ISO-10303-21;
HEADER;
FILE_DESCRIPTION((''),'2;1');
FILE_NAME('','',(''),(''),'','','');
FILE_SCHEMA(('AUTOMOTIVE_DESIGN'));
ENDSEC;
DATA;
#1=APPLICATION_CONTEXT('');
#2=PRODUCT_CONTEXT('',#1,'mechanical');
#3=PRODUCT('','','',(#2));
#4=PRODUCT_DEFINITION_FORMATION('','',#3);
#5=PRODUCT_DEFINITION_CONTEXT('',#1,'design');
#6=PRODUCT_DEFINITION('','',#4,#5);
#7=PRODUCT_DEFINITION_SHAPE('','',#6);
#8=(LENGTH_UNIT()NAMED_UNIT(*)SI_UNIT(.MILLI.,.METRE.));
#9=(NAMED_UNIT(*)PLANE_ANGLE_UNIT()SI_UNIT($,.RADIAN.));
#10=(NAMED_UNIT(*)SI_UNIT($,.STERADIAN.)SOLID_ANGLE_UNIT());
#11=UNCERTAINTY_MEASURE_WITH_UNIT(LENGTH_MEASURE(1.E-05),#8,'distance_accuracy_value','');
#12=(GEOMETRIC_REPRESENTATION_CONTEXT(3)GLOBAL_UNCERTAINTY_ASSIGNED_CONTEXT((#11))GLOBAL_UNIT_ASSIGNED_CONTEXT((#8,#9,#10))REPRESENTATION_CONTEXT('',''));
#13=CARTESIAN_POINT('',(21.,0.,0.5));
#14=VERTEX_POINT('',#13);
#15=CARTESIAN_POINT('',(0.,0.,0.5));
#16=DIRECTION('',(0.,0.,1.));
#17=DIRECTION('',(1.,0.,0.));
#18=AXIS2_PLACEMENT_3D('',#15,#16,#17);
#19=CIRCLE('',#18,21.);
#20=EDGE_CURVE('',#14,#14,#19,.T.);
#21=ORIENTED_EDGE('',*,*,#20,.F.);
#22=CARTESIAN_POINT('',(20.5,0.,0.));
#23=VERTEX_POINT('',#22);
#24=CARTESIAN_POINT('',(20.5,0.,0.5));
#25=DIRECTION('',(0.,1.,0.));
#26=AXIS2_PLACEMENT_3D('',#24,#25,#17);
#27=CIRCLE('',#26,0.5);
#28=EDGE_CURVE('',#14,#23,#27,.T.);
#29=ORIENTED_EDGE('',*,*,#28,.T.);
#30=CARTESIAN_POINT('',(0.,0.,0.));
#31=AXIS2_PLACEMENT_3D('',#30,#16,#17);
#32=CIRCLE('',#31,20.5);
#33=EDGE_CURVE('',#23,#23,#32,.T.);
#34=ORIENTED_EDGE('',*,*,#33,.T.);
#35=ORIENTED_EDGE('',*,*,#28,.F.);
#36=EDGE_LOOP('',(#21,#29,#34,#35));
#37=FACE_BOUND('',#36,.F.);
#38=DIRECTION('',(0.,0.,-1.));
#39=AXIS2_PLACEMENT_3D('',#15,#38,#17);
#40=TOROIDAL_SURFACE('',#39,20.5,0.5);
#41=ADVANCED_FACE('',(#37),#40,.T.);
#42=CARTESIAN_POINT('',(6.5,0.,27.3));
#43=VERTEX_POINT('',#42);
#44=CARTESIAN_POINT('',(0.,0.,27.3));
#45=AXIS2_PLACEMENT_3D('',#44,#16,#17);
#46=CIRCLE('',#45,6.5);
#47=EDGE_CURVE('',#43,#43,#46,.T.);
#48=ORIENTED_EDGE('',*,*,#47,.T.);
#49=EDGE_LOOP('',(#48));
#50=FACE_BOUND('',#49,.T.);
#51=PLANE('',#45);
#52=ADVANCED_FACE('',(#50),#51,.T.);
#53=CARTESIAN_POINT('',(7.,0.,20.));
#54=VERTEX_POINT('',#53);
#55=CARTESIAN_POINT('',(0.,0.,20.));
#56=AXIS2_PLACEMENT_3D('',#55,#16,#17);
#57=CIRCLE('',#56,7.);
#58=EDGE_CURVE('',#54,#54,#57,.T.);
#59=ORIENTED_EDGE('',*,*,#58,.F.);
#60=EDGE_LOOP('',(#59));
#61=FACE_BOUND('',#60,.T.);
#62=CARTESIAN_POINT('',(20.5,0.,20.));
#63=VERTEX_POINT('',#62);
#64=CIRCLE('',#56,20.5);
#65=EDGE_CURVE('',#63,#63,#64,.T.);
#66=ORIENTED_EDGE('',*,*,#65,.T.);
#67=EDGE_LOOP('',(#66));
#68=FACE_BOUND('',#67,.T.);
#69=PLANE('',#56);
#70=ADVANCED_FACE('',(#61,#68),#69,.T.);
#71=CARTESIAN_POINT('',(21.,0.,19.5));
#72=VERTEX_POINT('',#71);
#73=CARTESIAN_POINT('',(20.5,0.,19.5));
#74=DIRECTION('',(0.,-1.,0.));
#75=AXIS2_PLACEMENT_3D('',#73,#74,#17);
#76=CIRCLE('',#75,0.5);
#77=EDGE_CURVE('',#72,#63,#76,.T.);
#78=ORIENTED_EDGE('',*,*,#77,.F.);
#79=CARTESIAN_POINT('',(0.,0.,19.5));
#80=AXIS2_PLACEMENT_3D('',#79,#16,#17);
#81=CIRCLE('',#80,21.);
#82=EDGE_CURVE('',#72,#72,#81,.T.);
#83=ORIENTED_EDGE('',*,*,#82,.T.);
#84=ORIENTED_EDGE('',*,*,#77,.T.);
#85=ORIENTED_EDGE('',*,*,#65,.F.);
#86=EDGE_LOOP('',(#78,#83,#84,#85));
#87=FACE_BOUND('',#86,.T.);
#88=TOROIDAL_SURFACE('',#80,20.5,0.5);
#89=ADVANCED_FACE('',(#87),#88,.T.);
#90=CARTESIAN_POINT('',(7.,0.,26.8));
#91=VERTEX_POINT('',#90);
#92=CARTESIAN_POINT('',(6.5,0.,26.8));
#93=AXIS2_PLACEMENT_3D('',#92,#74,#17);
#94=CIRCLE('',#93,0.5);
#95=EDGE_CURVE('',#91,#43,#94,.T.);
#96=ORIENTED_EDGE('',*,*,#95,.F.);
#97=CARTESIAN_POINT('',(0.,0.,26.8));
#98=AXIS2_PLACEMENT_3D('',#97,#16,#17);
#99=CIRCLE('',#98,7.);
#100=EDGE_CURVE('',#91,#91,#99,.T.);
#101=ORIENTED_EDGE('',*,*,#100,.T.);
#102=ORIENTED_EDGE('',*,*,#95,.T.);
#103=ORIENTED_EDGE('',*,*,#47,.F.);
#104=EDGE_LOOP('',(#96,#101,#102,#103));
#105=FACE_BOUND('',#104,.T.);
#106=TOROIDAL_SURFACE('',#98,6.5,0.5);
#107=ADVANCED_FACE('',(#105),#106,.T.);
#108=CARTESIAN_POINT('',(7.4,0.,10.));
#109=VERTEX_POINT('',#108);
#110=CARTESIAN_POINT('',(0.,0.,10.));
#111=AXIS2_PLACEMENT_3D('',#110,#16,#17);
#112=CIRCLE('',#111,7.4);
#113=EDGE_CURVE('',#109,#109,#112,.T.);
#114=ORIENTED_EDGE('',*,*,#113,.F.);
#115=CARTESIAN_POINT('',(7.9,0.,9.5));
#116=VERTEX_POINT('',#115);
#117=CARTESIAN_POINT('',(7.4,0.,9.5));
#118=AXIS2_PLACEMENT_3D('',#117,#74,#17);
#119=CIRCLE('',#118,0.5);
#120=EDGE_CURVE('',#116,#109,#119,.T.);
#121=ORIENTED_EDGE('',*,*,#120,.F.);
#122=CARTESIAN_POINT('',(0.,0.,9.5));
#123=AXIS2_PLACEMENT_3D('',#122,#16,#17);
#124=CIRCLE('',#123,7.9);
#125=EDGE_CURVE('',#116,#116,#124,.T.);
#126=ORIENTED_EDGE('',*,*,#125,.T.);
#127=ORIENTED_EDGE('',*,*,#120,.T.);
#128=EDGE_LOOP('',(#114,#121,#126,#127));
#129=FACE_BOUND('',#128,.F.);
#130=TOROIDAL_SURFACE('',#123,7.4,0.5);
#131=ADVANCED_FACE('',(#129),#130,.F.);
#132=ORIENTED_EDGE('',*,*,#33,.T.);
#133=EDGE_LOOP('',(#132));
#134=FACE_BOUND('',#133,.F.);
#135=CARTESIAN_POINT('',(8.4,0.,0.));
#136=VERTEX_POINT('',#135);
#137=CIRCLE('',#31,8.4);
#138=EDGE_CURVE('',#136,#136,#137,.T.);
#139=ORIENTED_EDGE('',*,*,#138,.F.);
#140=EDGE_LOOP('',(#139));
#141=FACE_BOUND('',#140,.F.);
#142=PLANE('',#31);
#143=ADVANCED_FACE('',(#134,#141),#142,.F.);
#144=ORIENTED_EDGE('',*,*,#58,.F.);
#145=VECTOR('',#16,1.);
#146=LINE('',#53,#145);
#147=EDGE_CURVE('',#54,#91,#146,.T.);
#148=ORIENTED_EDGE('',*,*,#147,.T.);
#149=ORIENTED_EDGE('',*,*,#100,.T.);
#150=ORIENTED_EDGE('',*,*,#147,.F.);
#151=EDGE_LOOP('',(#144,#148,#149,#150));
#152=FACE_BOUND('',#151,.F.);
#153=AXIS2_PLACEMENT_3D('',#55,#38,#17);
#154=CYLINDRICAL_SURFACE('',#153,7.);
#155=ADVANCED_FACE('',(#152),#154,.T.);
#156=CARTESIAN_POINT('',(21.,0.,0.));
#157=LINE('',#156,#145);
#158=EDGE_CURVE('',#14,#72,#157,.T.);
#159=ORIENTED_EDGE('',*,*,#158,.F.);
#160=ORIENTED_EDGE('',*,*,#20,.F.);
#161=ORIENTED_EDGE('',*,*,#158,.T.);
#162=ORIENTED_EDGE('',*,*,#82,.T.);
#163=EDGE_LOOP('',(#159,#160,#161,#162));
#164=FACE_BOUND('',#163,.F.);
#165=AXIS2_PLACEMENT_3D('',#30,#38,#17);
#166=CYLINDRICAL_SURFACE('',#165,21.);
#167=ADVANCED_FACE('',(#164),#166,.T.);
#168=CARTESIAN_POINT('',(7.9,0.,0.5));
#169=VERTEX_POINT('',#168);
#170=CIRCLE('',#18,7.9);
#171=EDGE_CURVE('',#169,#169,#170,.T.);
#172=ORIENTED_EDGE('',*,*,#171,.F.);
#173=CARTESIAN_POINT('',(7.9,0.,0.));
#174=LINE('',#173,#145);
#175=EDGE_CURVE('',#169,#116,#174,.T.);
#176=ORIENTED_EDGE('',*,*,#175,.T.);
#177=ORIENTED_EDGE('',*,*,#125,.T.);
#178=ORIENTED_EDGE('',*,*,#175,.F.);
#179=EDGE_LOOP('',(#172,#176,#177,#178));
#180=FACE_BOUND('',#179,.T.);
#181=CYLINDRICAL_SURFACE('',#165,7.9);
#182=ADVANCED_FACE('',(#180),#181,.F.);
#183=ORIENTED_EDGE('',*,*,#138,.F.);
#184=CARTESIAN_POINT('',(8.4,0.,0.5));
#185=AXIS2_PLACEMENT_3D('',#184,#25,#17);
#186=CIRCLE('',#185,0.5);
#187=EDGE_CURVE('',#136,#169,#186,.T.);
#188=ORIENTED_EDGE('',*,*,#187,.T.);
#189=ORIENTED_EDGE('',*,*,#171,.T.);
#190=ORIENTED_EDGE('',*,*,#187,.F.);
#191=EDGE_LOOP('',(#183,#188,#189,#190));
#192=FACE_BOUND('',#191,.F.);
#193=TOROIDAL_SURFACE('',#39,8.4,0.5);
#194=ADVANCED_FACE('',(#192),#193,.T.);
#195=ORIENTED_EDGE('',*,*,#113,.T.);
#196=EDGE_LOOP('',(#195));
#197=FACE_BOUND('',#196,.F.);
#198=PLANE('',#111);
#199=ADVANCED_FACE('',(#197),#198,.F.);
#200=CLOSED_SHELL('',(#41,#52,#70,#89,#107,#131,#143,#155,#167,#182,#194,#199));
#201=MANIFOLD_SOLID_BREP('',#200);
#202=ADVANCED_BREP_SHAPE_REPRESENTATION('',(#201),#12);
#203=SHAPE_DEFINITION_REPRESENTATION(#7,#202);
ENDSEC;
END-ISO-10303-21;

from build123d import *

# Parameters (mm, degrees)
F4_R     = 21
F5_DEPTH = 20
F6_R     = 7.9
F7_DEPTH = 10
F8_R     = 7
F9_DEPTH = 7.3
F10_R    = 0.5


with BuildPart() as f5:
    # F4 (on Top) → F5 (new body)
    with BuildSketch(Plane.XY):
        Circle(F4_R)
    extrude(amount=F5_DEPTH)

    # F6 (on Top) → F7 (cut)
    with BuildSketch(Plane.XY):
        Circle(F6_R)
    extrude(amount=F7_DEPTH, mode=Mode.SUBTRACT)

    # F8 (on face) → F9 (join)
    with BuildSketch(Plane.XY.offset(20)):
        Circle(F8_R)
    extrude(amount=F9_DEPTH)

    # F10
    f10_edges = [f5.edges().sort_by_distance(p)[0] for p in [
        (-7, 0, 27.3),
        (-21, 0, 20),
        (-21, 0, 0),
        (-7.9, 0, 0),
        (-7.9, 0, 10),
    ]]
    fillet(f10_edges, radius=F10_R)


solid = f5.part
